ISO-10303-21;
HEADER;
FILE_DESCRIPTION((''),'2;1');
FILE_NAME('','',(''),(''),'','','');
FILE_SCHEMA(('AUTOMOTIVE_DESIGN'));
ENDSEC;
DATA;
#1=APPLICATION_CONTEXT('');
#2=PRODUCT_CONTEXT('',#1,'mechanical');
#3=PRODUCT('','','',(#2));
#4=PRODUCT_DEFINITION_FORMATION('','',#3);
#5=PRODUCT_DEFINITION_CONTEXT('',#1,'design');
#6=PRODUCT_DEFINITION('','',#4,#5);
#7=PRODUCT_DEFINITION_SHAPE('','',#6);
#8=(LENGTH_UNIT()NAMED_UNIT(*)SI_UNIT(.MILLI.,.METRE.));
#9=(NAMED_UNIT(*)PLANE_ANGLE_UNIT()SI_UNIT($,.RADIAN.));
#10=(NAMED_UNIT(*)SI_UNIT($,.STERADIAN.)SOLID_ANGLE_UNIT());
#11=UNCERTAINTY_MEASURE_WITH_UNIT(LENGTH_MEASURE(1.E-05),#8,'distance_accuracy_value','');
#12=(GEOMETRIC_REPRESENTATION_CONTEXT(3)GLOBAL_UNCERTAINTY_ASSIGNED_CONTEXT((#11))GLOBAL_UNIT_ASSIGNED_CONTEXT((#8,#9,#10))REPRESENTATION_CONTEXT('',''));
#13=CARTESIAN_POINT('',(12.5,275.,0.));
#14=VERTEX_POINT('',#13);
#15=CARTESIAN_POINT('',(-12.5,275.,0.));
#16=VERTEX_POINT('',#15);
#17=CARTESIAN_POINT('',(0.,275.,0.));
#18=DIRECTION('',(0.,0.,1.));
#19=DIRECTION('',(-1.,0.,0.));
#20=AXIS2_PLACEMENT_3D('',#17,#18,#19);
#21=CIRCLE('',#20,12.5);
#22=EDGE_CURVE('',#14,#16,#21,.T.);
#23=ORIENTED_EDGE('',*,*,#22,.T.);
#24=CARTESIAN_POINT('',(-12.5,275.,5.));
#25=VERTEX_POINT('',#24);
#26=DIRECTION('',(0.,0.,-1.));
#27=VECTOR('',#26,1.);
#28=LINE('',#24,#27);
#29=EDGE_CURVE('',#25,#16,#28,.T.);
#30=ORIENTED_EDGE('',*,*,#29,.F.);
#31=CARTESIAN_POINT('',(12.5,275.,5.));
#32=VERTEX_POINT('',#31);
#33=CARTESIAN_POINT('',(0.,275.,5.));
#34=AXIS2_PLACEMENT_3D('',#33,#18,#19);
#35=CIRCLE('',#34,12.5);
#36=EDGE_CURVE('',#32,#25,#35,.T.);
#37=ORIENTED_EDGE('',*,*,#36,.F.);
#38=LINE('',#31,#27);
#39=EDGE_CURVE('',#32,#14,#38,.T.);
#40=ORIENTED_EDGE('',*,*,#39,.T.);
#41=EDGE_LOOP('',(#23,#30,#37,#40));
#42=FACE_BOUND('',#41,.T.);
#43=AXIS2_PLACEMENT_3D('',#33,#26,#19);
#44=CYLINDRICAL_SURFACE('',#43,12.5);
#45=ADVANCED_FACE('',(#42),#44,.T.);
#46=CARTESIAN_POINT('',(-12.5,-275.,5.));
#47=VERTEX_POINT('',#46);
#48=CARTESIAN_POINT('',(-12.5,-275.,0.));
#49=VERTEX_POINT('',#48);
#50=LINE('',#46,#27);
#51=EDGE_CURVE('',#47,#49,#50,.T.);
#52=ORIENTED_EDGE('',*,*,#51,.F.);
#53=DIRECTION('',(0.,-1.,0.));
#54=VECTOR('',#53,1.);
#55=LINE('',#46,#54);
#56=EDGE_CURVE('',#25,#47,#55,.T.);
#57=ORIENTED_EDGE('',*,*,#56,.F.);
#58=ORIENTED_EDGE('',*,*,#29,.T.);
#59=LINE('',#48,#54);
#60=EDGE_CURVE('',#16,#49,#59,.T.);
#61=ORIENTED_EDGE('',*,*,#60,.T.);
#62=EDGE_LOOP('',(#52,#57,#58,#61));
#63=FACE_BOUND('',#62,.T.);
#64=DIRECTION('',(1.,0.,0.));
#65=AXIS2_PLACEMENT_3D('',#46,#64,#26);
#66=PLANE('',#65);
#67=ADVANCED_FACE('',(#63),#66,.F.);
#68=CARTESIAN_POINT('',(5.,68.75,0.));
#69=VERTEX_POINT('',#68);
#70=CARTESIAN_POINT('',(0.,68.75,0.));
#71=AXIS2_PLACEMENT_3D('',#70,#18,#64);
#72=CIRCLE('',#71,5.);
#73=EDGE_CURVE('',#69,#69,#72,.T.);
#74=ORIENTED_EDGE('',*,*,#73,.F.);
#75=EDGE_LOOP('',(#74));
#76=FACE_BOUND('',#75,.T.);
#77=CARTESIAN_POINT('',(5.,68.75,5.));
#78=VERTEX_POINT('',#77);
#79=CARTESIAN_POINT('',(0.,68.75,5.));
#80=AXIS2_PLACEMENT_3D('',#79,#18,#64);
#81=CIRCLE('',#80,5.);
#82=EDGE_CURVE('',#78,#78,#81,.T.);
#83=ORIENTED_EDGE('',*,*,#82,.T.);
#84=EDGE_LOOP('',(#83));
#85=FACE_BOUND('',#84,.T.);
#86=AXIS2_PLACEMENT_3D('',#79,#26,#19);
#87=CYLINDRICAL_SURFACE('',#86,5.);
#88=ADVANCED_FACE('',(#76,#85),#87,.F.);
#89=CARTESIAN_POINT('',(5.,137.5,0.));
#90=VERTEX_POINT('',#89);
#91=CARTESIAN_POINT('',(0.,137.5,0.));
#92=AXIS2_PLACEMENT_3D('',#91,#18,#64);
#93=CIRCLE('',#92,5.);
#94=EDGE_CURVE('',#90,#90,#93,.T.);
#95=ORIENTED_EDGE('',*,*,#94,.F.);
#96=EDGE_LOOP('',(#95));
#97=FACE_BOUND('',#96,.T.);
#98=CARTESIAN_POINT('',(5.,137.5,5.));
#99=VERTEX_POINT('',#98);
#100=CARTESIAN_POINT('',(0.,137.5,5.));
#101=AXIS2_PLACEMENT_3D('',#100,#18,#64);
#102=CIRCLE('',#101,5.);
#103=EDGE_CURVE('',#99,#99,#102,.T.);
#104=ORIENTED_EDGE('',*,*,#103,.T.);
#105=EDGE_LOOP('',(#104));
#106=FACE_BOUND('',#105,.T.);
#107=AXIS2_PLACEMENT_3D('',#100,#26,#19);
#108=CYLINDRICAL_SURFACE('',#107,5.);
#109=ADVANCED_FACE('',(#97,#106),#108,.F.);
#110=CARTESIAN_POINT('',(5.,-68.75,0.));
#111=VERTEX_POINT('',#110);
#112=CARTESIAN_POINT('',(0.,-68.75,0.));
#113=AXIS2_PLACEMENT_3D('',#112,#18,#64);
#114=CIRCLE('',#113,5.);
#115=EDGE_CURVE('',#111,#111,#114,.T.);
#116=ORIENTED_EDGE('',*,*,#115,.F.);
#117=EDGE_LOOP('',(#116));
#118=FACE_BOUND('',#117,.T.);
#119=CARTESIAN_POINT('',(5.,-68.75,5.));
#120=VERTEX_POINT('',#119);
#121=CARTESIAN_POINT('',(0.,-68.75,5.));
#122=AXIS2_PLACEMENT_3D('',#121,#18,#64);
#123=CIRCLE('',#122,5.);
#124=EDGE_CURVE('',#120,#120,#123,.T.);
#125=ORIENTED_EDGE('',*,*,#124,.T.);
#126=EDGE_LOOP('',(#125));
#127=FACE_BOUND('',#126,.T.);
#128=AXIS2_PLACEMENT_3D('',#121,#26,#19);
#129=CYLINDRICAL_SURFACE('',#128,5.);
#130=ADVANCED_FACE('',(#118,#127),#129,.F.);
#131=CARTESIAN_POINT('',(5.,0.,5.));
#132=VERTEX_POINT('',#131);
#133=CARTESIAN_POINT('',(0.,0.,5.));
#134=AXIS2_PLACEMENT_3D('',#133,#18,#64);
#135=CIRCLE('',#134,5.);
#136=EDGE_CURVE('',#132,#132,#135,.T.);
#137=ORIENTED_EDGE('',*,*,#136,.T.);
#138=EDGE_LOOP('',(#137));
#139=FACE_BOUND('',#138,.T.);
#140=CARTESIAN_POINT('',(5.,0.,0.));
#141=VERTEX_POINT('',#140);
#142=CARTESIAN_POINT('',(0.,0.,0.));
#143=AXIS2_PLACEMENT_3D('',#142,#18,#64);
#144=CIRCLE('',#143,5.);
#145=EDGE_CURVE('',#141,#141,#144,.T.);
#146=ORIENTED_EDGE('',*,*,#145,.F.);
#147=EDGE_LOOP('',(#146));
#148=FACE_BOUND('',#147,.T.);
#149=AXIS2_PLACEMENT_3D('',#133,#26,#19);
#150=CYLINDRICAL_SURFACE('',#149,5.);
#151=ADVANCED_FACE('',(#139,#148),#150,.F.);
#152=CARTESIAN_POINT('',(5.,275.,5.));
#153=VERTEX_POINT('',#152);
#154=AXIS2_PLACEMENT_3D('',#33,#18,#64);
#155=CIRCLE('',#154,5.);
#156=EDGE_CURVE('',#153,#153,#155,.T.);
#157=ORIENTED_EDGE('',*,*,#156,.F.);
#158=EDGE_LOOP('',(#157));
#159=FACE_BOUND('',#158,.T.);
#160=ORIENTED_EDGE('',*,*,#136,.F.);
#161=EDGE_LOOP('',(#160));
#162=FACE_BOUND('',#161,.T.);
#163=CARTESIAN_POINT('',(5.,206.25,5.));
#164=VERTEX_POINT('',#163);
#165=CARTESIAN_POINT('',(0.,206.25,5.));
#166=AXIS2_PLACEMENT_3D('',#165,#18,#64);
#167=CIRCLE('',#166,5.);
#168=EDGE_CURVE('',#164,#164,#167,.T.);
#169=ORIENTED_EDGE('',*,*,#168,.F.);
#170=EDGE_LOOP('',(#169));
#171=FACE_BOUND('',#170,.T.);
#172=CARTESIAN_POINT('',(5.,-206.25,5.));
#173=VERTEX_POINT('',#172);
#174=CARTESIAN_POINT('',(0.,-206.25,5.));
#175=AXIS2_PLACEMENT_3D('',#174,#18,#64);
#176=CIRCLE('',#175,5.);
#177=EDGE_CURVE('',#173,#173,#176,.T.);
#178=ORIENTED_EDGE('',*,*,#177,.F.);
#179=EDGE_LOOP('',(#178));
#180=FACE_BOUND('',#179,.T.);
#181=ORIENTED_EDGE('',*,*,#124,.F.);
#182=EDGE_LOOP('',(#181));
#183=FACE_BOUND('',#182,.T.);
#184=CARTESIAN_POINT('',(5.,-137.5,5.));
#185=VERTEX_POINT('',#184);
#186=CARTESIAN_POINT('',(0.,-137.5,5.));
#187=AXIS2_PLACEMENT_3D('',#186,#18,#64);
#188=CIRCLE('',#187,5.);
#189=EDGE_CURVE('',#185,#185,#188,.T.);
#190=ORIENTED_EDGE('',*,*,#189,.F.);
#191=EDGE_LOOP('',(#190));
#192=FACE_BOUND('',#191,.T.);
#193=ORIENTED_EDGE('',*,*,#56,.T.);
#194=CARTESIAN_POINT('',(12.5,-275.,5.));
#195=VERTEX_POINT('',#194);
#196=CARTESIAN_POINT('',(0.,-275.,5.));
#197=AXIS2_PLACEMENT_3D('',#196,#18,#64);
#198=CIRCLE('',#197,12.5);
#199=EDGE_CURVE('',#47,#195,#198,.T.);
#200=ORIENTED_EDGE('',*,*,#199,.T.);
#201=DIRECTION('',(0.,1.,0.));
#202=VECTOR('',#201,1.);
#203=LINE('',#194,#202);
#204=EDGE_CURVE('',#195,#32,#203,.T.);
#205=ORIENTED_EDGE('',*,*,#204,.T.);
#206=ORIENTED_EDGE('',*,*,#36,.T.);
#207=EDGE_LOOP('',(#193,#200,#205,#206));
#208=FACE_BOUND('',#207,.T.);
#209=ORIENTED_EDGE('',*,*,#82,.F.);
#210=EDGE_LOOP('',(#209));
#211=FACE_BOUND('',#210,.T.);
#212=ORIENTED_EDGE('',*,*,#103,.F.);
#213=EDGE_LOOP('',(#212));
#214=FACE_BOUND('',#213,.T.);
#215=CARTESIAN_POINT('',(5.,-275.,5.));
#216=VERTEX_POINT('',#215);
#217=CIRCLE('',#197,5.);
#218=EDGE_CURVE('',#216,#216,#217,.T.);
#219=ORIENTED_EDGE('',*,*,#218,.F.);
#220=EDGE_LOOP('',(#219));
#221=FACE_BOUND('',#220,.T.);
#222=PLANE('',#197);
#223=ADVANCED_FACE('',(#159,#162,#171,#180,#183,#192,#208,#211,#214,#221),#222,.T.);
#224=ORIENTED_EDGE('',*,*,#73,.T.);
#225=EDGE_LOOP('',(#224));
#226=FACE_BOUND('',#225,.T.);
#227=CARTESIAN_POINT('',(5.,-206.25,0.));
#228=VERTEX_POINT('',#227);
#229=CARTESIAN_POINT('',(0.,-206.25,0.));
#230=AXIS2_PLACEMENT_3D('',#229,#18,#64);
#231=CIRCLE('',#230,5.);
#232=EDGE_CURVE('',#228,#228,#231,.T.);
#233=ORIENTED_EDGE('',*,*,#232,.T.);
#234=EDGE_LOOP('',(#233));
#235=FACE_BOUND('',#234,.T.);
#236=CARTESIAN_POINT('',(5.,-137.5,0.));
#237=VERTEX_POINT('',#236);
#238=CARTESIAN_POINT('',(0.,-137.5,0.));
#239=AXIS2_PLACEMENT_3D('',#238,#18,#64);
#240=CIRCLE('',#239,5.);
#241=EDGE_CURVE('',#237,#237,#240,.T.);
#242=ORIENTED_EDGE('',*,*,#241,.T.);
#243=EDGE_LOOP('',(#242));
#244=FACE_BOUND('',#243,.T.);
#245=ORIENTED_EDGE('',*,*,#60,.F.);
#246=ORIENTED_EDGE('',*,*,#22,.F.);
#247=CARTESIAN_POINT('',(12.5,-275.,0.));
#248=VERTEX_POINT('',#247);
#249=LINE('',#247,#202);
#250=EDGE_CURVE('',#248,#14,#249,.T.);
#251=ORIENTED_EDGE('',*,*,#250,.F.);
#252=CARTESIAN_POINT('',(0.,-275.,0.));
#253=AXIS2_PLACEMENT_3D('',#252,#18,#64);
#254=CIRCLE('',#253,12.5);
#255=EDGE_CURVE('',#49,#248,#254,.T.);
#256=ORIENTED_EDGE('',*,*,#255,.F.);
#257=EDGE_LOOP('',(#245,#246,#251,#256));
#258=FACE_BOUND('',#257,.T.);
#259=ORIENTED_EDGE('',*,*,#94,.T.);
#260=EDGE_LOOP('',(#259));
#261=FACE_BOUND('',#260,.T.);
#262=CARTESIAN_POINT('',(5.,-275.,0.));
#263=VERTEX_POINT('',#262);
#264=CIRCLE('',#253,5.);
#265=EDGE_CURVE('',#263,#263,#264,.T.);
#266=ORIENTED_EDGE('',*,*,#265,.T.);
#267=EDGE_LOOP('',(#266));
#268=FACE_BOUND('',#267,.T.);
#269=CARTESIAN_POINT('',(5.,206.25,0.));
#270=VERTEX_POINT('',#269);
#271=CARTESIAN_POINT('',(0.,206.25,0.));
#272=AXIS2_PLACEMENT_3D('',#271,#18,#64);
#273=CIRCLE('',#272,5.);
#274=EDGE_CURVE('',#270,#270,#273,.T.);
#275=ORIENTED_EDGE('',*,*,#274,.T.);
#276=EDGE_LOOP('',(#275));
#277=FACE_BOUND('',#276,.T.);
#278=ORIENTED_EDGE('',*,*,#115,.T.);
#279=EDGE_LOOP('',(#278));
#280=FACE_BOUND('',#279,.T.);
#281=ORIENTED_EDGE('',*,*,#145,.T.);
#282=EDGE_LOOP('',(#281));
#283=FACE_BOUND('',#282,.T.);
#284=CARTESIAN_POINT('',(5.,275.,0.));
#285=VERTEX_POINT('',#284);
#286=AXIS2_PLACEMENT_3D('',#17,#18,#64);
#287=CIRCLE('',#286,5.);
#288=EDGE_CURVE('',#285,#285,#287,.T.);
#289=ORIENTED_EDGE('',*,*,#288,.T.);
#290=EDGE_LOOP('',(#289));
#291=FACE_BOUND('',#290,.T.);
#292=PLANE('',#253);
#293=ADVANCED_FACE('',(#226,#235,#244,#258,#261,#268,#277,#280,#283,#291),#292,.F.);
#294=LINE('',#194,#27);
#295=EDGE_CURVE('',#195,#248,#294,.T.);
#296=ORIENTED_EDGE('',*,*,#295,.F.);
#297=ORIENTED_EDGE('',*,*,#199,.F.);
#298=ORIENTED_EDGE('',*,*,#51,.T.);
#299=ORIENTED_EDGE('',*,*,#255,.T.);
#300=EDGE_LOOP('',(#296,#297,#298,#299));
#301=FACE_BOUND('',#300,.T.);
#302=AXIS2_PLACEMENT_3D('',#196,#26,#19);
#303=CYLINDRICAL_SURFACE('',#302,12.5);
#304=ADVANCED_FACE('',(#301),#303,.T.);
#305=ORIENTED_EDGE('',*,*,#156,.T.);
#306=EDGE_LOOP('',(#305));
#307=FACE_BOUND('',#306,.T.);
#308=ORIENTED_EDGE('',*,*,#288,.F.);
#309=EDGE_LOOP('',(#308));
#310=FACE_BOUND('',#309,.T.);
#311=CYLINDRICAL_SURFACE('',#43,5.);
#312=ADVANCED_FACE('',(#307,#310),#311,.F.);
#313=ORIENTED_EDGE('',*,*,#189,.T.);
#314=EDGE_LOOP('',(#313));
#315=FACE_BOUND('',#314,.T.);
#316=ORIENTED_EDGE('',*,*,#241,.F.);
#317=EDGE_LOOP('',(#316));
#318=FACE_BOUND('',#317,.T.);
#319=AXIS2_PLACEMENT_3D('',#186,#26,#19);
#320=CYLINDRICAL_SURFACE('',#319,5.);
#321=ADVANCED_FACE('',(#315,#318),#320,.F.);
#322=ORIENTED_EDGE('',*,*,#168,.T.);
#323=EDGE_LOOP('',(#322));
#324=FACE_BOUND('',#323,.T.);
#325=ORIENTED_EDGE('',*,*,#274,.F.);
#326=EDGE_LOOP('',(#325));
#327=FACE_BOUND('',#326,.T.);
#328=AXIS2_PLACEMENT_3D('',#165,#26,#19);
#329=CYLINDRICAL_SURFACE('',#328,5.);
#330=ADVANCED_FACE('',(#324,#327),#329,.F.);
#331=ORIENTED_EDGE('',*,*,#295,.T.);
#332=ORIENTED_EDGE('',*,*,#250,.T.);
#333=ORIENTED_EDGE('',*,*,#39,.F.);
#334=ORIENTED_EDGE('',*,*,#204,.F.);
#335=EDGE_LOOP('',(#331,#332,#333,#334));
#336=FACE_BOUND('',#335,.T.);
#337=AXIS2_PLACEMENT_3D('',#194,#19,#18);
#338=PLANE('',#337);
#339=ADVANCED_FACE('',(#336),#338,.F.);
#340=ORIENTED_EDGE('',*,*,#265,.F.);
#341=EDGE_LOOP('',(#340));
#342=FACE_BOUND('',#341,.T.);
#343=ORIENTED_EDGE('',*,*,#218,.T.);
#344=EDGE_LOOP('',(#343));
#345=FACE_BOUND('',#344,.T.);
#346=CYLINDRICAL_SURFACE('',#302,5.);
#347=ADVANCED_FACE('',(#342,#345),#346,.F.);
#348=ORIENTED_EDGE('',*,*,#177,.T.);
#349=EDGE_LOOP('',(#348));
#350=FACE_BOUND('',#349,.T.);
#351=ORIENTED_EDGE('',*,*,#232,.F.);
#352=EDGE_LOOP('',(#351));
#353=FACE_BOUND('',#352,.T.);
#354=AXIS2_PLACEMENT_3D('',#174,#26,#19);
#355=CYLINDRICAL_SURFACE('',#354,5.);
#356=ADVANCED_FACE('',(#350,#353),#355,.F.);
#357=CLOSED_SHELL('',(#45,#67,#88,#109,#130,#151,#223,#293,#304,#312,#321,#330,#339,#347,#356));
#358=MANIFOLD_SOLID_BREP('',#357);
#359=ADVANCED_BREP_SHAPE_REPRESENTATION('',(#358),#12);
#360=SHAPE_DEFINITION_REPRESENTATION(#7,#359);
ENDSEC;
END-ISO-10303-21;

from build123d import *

# Parameters (mm, degrees)
SKETCH2_R           = 5
BOSS_EXTRUDE1_DEPTH = 5


with BuildPart() as part:
    # Sketch2 → Boss-Extrude1 (new body)
    with BuildSketch(Plane(origin=(0, 0, 0), x_dir=(0, 1, 0), z_dir=(0, 0, 1))):
        with BuildLine():
            Line((-275, 12.5), (275, 12.5))
            ThreePointArc((275, 12.5), (287.5, 0), (275, -12.5))
            Line((275, -12.5), (-275, -12.5))
            ThreePointArc((-275, -12.5), (-287.5, 0), (-275, 12.5))
        make_face()
        with Locations(Location((-275, 0, 0), (0, 0, 270))):
            Circle(SKETCH2_R, mode=Mode.SUBTRACT)
        with Locations(Location((-206.25, 0, 0), (0, 0, 270))):
            Circle(SKETCH2_R, mode=Mode.SUBTRACT)
        with Locations(Location((-137.5, 0, 0), (0, 0, 270))):
            Circle(SKETCH2_R, mode=Mode.SUBTRACT)
        with Locations(Location((-68.75, 0, 0), (0, 0, 270))):
            Circle(SKETCH2_R, mode=Mode.SUBTRACT)
        with Locations(Location((0, 0, 0), (0, 0, 270))):
            Circle(SKETCH2_R, mode=Mode.SUBTRACT)
        with Locations(Location((68.75, 0, 0), (0, 0, 270))):
            Circle(SKETCH2_R, mode=Mode.SUBTRACT)
        with Locations(Location((137.5, 0, 0), (0, 0, 270))):
            Circle(SKETCH2_R, mode=Mode.SUBTRACT)
        with Locations(Location((206.25, 0, 0), (0, 0, 270))):
            Circle(SKETCH2_R, mode=Mode.SUBTRACT)
        with Locations(Location((275, 0, 0), (0, 0, 270))):
            Circle(SKETCH2_R, mode=Mode.SUBTRACT)
    extrude(amount=BOSS_EXTRUDE1_DEPTH)


solid = part.part
